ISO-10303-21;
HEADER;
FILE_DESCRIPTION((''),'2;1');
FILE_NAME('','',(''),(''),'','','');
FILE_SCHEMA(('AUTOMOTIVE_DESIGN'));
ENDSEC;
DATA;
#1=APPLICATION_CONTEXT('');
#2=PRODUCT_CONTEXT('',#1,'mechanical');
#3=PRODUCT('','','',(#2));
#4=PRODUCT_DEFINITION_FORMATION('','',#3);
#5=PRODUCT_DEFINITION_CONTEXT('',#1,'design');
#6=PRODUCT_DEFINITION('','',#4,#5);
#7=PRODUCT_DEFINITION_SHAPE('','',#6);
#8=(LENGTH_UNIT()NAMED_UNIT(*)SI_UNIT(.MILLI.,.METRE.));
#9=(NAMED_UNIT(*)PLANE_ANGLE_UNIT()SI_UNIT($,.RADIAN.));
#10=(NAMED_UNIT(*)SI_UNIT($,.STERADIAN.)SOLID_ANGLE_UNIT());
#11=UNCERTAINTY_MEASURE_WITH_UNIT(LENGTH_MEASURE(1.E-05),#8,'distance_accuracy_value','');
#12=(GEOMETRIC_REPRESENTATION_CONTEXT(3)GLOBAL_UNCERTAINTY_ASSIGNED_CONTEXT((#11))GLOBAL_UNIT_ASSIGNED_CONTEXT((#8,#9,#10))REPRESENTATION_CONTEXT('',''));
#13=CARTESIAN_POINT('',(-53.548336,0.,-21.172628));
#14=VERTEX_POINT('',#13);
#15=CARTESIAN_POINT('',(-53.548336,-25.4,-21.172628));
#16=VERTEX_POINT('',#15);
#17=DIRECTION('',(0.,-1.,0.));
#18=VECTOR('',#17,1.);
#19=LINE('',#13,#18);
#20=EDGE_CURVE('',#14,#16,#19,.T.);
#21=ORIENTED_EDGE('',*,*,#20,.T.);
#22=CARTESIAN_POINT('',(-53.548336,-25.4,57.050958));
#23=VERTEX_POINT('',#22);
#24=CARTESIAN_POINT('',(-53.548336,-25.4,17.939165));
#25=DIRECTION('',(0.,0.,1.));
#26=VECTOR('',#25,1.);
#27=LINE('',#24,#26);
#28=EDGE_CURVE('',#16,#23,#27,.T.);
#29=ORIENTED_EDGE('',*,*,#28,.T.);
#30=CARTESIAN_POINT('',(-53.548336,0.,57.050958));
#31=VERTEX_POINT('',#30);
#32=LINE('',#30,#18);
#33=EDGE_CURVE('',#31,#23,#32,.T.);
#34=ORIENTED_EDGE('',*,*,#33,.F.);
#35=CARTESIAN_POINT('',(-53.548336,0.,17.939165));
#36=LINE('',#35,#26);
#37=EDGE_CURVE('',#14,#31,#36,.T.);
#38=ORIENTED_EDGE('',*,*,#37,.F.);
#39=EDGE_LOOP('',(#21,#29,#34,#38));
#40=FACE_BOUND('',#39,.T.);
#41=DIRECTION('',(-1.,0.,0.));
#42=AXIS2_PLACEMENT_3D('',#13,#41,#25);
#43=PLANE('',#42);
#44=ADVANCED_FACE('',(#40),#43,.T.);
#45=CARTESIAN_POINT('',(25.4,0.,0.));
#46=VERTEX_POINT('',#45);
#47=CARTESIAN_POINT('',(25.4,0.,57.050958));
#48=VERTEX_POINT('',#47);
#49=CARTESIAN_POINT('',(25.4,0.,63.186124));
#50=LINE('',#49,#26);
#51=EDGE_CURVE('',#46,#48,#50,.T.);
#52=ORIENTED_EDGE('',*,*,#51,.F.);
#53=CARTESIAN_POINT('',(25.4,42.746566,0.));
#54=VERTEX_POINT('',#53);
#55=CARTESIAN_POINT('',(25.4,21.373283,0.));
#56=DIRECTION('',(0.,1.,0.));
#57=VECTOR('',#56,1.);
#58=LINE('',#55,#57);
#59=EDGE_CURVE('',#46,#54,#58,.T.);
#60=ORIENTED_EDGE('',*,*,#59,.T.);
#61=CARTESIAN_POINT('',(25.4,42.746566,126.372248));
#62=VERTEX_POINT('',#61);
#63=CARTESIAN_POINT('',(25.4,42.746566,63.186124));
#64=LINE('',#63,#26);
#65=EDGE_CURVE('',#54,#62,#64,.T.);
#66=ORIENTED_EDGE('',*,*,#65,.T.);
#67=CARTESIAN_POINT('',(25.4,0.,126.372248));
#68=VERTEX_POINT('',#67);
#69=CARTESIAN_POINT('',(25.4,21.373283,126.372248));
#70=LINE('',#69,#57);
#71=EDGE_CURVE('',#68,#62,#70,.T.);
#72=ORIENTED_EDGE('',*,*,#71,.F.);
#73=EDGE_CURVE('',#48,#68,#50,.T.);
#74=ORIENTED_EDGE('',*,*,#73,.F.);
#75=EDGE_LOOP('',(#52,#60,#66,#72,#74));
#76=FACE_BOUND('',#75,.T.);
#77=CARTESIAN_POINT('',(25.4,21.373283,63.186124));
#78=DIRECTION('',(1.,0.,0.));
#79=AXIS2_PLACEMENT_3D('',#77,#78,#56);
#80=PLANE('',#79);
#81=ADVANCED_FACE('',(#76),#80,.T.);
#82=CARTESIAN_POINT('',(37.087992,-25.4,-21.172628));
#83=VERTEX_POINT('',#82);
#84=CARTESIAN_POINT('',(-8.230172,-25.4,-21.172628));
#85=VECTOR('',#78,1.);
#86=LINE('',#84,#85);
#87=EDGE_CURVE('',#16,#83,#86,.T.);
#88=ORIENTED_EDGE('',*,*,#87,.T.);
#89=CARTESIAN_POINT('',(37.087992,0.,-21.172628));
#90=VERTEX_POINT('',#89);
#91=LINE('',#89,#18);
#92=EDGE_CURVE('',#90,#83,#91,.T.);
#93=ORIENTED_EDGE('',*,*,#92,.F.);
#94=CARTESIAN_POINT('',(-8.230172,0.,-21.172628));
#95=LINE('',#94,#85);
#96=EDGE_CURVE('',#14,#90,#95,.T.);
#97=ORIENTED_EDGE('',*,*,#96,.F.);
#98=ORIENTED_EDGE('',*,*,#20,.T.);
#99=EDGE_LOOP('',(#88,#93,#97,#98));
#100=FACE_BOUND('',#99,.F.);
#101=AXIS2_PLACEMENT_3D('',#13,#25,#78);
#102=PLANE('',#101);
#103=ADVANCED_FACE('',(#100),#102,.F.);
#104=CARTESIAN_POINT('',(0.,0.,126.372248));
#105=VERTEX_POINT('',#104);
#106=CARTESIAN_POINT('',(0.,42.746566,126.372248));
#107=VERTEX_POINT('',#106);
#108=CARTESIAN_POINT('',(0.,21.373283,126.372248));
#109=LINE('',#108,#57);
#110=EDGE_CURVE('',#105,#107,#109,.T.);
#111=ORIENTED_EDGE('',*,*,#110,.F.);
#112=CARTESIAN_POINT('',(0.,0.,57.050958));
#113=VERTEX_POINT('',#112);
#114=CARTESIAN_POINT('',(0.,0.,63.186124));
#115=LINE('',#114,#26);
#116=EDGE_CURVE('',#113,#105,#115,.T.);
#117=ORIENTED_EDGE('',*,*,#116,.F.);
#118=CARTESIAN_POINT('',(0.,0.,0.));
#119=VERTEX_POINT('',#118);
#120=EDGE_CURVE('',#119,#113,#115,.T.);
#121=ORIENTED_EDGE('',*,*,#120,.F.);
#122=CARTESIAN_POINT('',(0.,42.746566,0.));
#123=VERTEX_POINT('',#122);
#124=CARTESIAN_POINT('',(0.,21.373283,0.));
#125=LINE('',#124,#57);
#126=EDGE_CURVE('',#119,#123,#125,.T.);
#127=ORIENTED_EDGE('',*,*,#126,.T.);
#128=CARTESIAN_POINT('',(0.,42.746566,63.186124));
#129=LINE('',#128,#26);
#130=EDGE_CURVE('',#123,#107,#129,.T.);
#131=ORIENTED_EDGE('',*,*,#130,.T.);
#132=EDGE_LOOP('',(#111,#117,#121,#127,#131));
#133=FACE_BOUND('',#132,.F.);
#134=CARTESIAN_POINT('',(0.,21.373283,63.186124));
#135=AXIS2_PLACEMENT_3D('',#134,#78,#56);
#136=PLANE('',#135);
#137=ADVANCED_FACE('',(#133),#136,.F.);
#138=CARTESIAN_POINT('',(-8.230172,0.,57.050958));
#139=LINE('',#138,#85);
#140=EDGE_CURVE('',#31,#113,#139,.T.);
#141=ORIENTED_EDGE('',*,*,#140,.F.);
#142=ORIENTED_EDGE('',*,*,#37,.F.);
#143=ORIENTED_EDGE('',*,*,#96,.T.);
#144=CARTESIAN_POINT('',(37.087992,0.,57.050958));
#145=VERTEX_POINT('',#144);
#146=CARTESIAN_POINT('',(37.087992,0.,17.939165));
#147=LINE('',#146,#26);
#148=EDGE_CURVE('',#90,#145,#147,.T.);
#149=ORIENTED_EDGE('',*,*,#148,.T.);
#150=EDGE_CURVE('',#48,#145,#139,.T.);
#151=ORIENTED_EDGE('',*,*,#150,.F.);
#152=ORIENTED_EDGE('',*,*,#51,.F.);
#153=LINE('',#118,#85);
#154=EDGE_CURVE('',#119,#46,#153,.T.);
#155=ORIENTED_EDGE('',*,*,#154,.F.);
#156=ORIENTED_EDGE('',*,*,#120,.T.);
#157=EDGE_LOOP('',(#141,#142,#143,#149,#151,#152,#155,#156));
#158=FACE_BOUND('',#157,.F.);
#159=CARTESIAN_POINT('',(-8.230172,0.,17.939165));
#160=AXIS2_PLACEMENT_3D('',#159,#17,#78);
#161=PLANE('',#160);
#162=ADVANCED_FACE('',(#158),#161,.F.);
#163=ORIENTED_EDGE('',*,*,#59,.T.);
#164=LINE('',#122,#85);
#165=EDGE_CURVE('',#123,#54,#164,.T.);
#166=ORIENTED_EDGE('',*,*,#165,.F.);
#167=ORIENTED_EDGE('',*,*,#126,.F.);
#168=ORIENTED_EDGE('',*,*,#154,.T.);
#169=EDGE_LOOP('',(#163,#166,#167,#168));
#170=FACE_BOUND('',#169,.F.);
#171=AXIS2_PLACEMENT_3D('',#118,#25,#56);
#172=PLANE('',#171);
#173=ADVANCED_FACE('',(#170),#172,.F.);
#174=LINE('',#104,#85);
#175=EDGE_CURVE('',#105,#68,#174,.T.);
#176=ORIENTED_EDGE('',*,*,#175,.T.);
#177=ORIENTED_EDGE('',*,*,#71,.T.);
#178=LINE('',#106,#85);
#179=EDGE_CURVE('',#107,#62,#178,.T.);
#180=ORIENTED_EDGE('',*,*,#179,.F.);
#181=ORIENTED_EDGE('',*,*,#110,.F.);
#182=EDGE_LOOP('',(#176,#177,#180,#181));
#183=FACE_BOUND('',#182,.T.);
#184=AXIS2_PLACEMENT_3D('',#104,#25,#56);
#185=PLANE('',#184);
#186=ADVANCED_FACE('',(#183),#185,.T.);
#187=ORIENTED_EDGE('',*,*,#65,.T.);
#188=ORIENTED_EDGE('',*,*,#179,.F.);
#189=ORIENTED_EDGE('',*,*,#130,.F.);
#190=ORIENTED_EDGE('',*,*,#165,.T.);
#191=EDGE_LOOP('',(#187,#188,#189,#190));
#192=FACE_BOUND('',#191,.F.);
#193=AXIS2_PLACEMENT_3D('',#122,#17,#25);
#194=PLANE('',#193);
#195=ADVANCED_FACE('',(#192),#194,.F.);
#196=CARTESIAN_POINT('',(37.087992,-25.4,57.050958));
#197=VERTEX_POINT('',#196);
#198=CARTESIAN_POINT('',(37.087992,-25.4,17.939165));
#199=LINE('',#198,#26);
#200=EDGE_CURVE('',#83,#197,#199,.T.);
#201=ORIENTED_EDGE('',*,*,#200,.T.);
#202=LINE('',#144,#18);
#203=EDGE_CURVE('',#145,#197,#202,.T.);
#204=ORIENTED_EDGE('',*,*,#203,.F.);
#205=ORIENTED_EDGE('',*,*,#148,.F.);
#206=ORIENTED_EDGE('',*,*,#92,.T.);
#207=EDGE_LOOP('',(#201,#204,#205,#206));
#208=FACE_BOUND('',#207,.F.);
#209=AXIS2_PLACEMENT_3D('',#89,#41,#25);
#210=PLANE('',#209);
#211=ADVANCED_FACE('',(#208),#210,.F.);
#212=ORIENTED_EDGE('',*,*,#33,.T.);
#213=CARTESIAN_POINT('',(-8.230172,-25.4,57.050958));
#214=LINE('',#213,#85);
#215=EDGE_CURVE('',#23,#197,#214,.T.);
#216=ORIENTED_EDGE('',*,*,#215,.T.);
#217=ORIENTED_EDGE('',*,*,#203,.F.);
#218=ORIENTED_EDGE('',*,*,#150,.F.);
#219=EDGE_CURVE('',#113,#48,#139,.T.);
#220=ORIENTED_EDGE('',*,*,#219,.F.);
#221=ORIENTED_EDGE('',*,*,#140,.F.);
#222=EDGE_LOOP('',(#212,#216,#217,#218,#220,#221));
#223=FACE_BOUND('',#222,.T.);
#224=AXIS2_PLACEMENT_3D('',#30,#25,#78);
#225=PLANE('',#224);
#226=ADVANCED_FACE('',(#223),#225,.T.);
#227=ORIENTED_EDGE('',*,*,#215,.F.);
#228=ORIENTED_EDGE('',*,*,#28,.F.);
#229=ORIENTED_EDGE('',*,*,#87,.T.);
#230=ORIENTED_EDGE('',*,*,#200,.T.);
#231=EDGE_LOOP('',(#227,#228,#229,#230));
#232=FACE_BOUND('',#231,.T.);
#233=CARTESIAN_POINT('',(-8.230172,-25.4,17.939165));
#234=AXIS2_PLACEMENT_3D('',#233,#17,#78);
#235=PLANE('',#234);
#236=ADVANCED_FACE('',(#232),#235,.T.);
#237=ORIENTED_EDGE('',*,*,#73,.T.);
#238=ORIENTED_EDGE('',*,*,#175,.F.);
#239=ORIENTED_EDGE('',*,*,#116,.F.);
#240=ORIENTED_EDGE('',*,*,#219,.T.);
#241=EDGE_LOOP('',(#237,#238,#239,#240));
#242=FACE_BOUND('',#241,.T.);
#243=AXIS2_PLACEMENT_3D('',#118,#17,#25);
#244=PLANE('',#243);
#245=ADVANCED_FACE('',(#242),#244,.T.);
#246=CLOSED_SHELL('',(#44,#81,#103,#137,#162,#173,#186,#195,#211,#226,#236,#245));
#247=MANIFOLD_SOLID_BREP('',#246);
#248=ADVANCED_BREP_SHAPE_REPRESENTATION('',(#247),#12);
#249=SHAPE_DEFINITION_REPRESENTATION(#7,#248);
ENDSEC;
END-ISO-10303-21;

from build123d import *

# Parameters (mm, degrees)
F1_W     = 90.636328
F1_H     = 78.223586
F2_DEPTH = 25.4
F3_W     = 42.746566
F3_H     = 126.372248
F4_DEPTH = 25.4


with BuildPart() as f2:
    # F1 (on face) → F2 (new body)
    with BuildSketch(Plane.XZ):
        with Locations((-8.230172, 17.939165)):
            Rectangle(F1_W, F1_H)
    extrude(amount=F2_DEPTH)

    # F3 (on Right) → F4 (join)
    with BuildSketch(Plane.YZ):
        with Locations((21.373283, 63.186124)):
            Rectangle(F3_W, F3_H)
    extrude(amount=F4_DEPTH)


solid = f2.part
